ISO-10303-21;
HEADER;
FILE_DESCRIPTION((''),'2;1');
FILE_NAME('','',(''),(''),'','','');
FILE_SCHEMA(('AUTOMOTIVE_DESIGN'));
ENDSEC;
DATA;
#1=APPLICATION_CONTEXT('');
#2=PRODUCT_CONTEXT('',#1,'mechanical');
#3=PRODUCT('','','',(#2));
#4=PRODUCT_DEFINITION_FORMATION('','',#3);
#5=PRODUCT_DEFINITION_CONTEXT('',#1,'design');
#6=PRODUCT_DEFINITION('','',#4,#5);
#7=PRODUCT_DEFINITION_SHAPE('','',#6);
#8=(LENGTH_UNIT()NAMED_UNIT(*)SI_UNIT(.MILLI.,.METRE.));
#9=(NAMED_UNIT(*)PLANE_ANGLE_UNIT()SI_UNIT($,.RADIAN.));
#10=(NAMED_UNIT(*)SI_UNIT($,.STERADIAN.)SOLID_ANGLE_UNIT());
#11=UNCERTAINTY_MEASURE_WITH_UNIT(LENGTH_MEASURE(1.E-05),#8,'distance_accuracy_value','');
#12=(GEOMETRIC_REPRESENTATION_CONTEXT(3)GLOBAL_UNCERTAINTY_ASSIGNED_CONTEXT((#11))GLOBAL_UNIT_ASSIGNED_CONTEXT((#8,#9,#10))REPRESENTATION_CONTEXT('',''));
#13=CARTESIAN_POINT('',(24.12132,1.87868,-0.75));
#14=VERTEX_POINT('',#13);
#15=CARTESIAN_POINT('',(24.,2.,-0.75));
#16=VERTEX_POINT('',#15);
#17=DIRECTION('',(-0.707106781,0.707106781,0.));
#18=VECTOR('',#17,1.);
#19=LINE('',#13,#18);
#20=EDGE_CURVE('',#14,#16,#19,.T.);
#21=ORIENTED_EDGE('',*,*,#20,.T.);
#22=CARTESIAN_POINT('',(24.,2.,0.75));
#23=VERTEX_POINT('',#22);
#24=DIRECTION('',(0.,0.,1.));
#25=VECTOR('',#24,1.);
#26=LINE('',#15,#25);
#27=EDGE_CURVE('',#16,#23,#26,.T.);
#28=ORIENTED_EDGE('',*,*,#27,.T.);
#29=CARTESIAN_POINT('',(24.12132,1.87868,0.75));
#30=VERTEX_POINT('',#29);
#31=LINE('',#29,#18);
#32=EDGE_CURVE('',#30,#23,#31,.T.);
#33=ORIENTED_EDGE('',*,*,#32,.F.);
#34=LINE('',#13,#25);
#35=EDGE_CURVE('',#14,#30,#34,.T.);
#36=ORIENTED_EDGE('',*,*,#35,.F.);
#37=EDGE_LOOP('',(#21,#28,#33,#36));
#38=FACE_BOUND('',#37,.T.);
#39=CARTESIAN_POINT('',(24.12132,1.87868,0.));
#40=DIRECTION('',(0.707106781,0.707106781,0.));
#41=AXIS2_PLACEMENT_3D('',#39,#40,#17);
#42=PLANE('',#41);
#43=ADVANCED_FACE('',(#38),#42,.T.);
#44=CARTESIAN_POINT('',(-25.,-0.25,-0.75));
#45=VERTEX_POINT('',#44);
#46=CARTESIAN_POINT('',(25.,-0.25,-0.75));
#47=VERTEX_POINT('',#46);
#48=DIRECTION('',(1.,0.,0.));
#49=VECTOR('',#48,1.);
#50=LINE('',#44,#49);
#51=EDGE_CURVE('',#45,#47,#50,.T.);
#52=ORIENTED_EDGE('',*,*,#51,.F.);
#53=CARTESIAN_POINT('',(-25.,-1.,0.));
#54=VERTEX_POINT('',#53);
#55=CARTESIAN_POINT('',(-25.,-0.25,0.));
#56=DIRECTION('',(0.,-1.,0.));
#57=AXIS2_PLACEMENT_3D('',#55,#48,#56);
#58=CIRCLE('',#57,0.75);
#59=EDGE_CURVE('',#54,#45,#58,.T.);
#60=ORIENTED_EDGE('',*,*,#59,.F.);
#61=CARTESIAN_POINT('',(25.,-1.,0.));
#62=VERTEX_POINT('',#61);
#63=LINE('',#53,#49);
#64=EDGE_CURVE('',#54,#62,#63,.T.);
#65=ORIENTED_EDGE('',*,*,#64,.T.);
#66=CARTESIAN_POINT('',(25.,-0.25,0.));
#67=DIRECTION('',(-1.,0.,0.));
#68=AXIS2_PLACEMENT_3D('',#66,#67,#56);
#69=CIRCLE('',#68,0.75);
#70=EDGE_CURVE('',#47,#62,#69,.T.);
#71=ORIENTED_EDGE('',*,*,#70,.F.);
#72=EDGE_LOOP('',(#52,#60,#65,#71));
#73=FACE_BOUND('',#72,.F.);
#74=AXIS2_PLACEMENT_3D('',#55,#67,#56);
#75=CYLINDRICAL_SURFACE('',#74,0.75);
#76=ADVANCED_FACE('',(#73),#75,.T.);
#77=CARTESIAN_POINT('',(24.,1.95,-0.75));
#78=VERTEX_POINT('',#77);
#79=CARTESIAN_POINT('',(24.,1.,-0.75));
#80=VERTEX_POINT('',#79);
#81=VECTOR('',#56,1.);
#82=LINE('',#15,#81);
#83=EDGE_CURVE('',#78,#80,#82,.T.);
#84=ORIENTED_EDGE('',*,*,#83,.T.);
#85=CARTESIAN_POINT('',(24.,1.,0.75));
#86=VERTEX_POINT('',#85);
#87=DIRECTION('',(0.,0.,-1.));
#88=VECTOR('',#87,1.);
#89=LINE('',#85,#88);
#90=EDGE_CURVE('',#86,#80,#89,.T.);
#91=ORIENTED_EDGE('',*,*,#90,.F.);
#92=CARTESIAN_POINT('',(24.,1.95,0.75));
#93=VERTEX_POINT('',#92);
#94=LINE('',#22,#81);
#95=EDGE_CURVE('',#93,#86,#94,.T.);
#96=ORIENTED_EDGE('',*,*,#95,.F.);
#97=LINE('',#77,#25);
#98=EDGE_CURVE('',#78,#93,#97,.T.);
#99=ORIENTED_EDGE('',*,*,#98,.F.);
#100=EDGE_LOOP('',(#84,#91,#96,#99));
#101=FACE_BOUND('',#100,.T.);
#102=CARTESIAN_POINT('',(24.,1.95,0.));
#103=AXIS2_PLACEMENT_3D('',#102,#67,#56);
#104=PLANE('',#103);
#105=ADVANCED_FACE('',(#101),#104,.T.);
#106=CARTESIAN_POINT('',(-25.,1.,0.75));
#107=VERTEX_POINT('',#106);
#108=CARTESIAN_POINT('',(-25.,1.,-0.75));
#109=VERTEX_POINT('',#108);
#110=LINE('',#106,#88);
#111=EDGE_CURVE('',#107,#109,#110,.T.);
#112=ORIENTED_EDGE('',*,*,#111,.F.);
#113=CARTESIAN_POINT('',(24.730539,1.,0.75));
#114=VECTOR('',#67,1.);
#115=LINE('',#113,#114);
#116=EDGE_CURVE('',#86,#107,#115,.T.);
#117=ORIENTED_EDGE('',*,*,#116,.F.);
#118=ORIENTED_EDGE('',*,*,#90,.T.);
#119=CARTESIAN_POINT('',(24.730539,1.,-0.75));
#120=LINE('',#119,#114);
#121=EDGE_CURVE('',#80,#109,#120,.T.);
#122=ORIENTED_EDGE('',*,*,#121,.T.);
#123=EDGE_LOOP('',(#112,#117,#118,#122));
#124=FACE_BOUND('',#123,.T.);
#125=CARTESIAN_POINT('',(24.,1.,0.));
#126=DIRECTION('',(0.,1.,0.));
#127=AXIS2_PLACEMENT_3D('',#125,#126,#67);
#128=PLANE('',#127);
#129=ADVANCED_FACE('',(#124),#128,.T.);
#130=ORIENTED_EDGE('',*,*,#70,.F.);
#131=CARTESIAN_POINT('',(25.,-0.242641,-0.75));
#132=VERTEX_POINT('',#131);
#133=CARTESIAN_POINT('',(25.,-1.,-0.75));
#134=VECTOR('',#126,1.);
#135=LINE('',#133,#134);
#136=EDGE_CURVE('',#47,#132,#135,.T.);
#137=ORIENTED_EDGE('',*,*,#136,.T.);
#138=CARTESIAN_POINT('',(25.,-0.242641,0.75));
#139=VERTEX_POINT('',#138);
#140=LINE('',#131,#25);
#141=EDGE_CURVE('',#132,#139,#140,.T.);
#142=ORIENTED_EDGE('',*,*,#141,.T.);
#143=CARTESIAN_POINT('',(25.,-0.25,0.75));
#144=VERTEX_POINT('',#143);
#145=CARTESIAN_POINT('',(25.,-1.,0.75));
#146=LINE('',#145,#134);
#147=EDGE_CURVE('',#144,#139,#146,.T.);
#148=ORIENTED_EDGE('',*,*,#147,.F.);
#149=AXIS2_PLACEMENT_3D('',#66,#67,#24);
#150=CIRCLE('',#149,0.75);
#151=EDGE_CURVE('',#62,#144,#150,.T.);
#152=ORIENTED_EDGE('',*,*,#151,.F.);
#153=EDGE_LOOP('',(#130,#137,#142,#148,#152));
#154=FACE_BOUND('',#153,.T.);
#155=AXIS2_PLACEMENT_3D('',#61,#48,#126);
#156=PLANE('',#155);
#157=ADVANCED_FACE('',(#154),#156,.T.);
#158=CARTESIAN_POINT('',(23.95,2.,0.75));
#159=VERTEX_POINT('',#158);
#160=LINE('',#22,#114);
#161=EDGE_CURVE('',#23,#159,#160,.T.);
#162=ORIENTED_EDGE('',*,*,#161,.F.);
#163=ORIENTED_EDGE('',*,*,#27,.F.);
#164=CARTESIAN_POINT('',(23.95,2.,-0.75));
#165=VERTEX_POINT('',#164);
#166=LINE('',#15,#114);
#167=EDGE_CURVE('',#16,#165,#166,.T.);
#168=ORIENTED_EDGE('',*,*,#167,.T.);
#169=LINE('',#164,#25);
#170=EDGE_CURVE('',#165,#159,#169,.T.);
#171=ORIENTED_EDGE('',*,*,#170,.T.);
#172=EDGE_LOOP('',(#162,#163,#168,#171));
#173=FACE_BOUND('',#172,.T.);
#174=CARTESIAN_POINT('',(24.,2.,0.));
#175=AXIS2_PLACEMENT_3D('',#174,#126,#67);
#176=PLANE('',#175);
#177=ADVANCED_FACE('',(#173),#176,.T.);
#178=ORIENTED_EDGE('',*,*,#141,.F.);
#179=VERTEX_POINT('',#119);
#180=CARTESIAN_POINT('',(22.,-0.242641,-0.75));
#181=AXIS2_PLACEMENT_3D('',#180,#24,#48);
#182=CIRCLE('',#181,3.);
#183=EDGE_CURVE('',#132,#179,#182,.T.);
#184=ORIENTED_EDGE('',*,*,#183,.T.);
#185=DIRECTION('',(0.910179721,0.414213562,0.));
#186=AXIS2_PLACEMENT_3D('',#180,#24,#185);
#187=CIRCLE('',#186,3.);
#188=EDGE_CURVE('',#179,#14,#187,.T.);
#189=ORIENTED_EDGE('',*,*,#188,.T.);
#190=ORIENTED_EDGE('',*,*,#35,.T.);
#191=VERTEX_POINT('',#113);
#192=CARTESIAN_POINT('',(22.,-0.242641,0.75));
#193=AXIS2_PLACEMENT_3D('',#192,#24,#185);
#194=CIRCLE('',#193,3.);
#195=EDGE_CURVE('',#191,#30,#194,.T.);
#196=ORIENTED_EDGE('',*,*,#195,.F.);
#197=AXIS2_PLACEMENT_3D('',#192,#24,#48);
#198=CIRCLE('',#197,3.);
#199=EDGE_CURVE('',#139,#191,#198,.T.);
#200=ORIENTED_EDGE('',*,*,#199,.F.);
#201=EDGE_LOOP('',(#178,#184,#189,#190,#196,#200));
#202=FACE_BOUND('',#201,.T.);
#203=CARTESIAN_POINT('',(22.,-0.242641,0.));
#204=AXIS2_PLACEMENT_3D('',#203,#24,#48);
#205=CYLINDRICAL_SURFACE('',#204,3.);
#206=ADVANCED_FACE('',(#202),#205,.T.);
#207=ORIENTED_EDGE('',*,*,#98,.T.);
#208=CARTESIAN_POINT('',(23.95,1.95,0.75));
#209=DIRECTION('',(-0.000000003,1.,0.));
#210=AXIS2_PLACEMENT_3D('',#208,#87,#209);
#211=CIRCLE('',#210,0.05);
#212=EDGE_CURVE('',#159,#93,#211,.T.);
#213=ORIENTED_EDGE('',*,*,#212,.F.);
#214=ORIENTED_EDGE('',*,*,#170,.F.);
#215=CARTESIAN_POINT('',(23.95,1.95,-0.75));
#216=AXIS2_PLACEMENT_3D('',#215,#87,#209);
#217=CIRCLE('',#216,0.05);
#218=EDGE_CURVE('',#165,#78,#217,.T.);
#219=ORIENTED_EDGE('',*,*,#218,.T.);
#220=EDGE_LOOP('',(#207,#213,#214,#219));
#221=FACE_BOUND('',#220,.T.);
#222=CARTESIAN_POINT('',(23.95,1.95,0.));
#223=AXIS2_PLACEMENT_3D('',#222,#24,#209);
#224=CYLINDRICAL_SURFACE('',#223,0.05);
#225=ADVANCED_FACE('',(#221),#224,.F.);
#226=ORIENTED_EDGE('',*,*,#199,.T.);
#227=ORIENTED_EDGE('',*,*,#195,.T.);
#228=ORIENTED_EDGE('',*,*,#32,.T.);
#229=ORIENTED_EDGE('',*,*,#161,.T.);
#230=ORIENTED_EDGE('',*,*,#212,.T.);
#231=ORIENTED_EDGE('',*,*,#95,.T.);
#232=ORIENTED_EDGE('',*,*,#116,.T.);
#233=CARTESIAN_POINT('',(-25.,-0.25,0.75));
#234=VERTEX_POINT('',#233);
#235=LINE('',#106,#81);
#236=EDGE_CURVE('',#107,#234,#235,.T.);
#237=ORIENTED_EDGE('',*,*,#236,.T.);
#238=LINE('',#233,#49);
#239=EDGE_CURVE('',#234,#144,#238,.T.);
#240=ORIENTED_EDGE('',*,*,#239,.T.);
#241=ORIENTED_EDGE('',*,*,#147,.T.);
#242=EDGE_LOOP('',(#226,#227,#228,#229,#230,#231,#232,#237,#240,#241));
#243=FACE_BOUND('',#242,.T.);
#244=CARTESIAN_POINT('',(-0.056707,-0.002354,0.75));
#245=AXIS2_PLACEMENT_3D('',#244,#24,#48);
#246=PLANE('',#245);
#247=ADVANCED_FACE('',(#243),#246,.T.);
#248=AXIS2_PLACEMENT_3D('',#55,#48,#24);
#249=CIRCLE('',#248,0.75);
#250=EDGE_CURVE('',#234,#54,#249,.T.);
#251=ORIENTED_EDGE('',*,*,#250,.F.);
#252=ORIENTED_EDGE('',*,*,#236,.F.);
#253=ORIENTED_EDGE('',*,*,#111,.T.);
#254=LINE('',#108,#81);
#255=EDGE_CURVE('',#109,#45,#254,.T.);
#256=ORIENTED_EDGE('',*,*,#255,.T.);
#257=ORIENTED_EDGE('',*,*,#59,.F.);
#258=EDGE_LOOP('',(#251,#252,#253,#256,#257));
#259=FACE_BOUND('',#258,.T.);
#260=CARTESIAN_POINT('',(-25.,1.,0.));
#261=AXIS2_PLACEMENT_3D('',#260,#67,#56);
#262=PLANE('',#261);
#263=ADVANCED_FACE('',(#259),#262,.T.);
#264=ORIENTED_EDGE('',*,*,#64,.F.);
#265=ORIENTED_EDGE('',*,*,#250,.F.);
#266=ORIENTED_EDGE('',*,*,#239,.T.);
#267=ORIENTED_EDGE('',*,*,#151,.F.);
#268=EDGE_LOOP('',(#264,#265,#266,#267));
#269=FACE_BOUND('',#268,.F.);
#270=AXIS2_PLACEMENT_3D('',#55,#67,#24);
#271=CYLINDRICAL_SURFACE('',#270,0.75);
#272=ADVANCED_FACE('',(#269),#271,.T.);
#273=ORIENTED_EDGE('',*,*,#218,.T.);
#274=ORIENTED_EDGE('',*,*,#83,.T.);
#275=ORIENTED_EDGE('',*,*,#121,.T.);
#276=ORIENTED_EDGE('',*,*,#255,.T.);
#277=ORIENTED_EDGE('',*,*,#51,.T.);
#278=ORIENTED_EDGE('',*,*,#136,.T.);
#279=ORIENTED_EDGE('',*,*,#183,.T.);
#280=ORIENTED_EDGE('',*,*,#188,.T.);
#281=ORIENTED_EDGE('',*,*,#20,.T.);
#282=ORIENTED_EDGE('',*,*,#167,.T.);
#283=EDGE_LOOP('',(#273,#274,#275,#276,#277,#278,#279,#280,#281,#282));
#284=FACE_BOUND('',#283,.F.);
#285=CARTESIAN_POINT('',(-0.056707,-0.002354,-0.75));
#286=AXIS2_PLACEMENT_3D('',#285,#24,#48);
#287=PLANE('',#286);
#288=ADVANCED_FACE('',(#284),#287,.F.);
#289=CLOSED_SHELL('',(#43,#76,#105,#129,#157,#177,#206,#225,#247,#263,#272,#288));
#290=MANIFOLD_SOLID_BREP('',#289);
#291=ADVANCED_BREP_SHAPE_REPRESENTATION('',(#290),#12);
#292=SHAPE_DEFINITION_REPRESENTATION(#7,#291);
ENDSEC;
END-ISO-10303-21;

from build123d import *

# Parameters (mm, degrees)
F1_DEPTH = 0.75
F3_DEPTH = 50.001


with BuildPart() as f1:
    # F0 (on Top) → F1 (new body, symmetric)
    with BuildSketch(Plane.XY):
        with BuildLine():
            Line((-25, -1), (25, -1))
            Line((25, -1), (25, -0.2426406871))
            ThreePointArc((25, -0.2426406871), (24.9318609696, 0.3931196883), (24.7305391634, 1))
            Line((24.7305391634, 1), (24, 1))
            Line((24, 1), (-25, 1))
            Line((-25, 1), (-25, -1))
        make_face()
        with BuildLine():
            Line((24, 1), (24.7305391634, 1))
            ThreePointArc((24.7305391634, 1), (24.4653913794, 1.4666999304), (24.1213203436, 1.8786796564))
            Line((24.1213203436, 1.8786796564), (24, 2))
            Line((24, 2), (24, 1.95))
            Line((24, 1.95), (24, 1))
        make_face()
        with BuildLine():
            ThreePointArc((23.95, 2), (23.9853553391, 1.9853553391), (24, 1.95))
            Line((24, 1.95), (24, 2))
            Line((24, 2), (23.95, 2))
        make_face()
    extrude(amount=F1_DEPTH, both=True)

    # F2 (on face) → F3 (cut, through all)
    with BuildSketch(Plane(origin=(-25, 0, 0), x_dir=(0, -1, 0), z_dir=(-1, 0, 0))):
        with BuildLine():
            Line((1, 0.75), (0.25, 0.75))
            ThreePointArc((0.25, 0.75), (0.7803300859, 0.5303300859), (1, 0))
            Line((1, 0), (1, 0.75))
        make_face()
        with BuildLine():
            ThreePointArc((1, 0), (0.7803300859, -0.5303300859), (0.25, -0.75))
            Line((0.25, -0.75), (1, -0.75))
            Line((1, -0.75), (1, 0))
        make_face()
    extrude(amount=-F3_DEPTH, mode=Mode.SUBTRACT)


solid = f1.part
